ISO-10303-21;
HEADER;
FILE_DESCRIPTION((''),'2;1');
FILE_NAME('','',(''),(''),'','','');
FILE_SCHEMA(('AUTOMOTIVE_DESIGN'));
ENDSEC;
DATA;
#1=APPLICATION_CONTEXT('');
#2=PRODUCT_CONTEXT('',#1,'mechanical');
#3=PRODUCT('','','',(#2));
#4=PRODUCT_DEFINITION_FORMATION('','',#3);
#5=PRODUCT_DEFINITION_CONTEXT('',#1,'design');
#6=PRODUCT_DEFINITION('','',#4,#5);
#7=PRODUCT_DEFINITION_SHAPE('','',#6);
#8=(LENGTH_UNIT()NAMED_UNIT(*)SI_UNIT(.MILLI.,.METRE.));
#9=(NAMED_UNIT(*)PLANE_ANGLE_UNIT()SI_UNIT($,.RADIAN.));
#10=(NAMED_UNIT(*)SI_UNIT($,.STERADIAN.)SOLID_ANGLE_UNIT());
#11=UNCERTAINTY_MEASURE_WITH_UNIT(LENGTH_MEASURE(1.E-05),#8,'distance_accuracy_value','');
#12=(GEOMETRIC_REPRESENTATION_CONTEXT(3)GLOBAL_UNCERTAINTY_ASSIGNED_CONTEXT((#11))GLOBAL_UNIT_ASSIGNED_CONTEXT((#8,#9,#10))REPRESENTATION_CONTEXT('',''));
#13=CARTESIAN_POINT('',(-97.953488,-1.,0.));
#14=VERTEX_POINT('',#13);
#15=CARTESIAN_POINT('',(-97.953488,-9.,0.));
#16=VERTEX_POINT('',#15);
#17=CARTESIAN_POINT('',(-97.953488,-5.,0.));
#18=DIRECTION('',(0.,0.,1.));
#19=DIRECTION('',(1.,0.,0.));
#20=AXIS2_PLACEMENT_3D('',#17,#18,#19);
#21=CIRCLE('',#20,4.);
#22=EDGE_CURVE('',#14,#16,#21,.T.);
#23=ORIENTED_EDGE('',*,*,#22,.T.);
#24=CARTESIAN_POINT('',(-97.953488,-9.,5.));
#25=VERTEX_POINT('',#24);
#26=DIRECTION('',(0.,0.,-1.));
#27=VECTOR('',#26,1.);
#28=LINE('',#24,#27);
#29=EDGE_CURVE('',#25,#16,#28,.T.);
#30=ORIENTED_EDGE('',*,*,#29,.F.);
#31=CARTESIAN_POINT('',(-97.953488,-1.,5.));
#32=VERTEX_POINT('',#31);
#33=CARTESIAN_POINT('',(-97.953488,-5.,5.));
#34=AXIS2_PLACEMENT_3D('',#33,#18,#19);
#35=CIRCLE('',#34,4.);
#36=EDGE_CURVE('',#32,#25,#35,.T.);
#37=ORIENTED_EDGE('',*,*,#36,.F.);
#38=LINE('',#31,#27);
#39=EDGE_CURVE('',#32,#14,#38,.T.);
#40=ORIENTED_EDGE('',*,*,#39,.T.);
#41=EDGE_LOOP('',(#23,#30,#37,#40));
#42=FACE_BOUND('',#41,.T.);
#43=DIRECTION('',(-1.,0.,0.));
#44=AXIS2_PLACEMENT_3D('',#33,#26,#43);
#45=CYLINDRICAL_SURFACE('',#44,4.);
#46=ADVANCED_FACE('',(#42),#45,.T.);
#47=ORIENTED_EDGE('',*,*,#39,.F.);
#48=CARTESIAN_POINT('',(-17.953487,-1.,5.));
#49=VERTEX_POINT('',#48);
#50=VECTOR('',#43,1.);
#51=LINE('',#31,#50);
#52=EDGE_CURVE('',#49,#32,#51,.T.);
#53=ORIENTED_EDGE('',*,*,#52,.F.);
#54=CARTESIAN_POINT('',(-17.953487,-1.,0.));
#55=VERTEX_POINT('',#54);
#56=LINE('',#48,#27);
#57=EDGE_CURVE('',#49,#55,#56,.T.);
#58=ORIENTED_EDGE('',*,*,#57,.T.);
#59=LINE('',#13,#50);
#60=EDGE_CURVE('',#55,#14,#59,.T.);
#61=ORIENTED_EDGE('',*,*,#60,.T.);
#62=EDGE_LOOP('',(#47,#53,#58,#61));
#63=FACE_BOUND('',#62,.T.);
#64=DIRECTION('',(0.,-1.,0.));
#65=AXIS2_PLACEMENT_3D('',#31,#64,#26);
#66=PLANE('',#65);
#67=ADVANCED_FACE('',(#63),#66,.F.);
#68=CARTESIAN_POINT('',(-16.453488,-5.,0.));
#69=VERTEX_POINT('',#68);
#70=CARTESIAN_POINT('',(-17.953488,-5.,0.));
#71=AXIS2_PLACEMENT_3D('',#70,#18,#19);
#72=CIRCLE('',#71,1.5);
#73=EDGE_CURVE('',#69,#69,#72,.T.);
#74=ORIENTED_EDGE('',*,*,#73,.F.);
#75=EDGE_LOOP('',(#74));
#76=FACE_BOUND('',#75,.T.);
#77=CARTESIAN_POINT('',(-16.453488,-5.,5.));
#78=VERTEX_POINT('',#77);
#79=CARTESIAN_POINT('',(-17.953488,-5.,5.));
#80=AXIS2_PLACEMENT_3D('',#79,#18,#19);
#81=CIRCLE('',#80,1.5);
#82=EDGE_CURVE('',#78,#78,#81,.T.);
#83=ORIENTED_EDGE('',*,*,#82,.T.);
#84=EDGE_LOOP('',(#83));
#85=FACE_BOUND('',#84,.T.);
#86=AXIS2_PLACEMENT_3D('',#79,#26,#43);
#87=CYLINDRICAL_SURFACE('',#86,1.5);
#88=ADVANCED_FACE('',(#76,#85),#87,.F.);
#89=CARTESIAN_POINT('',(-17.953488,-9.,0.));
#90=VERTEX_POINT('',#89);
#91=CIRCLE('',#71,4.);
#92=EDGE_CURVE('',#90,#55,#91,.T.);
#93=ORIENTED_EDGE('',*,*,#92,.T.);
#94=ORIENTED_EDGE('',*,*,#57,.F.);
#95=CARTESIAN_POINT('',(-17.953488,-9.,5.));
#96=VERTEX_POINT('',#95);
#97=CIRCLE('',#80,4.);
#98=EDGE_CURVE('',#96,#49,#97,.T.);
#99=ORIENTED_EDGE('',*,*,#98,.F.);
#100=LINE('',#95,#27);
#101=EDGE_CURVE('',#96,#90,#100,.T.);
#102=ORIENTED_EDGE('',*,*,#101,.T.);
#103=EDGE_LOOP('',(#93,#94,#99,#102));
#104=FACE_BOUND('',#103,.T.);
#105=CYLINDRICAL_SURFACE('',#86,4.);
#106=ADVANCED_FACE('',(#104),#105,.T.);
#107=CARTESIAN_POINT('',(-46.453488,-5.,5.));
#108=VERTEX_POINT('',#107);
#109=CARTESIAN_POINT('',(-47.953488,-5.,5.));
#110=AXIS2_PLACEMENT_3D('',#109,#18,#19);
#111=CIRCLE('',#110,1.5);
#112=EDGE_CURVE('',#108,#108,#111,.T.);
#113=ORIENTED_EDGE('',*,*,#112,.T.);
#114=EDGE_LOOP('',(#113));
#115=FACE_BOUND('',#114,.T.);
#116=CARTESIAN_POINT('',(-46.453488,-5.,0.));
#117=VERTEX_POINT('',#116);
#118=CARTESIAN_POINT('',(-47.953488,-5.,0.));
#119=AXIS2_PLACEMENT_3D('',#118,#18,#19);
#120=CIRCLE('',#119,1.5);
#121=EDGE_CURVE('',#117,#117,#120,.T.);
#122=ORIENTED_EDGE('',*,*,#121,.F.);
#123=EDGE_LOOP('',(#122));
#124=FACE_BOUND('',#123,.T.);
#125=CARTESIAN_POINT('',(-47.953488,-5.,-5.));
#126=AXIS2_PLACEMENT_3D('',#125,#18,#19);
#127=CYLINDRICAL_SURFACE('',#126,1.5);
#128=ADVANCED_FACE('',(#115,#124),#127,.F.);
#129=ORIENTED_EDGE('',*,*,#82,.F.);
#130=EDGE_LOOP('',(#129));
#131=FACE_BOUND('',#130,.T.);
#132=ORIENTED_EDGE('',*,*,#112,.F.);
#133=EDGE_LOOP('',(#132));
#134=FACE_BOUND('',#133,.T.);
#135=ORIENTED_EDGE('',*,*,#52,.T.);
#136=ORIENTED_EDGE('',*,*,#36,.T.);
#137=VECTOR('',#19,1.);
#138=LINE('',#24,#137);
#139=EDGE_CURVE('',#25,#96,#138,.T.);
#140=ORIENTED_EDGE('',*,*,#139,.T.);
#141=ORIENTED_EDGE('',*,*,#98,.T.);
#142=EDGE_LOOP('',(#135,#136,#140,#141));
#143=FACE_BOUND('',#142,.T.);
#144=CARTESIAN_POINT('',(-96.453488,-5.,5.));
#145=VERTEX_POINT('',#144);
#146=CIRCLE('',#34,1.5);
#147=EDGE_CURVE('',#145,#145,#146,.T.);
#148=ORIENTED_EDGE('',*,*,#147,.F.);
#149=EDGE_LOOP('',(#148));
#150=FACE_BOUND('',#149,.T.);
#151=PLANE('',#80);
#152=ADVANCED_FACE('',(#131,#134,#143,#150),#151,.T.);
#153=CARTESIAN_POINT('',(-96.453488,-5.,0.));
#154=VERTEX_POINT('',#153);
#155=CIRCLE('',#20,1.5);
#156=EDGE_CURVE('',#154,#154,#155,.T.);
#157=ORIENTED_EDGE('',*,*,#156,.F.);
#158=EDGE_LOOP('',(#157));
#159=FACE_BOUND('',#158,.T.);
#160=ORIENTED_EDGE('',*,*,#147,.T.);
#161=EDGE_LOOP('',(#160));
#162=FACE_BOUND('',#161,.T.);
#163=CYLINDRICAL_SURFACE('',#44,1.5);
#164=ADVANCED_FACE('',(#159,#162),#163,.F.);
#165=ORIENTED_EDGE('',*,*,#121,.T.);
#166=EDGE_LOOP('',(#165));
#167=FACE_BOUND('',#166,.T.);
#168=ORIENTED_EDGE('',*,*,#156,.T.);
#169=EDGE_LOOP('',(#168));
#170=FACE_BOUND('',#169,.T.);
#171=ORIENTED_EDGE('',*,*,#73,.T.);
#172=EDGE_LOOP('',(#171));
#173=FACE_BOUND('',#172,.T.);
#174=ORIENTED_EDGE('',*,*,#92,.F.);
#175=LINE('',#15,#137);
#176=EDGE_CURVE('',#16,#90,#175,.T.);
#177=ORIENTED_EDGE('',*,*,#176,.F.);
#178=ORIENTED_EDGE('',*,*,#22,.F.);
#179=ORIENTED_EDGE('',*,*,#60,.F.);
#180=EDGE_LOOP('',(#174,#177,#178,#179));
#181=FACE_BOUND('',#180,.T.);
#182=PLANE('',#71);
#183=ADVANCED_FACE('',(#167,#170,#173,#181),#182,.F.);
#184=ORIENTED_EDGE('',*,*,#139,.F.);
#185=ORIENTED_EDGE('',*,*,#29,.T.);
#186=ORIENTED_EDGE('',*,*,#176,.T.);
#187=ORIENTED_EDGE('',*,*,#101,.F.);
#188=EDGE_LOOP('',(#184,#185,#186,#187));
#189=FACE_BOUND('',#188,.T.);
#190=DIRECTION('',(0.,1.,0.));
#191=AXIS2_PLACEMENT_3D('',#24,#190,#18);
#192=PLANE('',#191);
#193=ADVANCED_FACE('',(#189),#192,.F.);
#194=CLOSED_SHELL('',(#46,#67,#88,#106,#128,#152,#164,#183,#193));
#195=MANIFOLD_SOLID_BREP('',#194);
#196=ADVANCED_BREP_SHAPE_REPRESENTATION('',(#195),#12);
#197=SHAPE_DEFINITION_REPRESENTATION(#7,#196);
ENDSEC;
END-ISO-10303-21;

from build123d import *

# Parameters (mm, degrees)
SKETCH1_R           = 1.5
BOSS_EXTRUDE1_DEPTH = 5
SKETCH2_R           = 1.5
CUT_EXTRUDE1_DEPTH  = 10


with BuildPart() as part:
    # Sketch1 → Boss-Extrude1 (new body)
    with BuildSketch(Plane.XY):
        with BuildLine():
            Line((-97.953488372, -1), (-17.953487056, -1))
            ThreePointArc((-17.953487056, -1), (-13.953488372, -5.000000339), (-17.953487734, -9))
            Line((-17.953487734, -9), (-97.953488372, -9))
            ThreePointArc((-97.953488372, -9), (-101.953488372, -5), (-97.953488372, -1))
        make_face()
        with Locations((-97.953488372, -5)):
            Circle(SKETCH1_R, mode=Mode.SUBTRACT)
        with Locations((-17.953488372, -5)):
            Circle(SKETCH1_R, mode=Mode.SUBTRACT)
    extrude(amount=BOSS_EXTRUDE1_DEPTH)

    # Sketch2 → Cut-Extrude1 (cut)
    with BuildSketch(Plane.XY.offset(5)):
        with Locations((-47.953488372, -5)):
            Circle(SKETCH2_R)
    extrude(amount=-CUT_EXTRUDE1_DEPTH, mode=Mode.SUBTRACT)


solid = part.part
